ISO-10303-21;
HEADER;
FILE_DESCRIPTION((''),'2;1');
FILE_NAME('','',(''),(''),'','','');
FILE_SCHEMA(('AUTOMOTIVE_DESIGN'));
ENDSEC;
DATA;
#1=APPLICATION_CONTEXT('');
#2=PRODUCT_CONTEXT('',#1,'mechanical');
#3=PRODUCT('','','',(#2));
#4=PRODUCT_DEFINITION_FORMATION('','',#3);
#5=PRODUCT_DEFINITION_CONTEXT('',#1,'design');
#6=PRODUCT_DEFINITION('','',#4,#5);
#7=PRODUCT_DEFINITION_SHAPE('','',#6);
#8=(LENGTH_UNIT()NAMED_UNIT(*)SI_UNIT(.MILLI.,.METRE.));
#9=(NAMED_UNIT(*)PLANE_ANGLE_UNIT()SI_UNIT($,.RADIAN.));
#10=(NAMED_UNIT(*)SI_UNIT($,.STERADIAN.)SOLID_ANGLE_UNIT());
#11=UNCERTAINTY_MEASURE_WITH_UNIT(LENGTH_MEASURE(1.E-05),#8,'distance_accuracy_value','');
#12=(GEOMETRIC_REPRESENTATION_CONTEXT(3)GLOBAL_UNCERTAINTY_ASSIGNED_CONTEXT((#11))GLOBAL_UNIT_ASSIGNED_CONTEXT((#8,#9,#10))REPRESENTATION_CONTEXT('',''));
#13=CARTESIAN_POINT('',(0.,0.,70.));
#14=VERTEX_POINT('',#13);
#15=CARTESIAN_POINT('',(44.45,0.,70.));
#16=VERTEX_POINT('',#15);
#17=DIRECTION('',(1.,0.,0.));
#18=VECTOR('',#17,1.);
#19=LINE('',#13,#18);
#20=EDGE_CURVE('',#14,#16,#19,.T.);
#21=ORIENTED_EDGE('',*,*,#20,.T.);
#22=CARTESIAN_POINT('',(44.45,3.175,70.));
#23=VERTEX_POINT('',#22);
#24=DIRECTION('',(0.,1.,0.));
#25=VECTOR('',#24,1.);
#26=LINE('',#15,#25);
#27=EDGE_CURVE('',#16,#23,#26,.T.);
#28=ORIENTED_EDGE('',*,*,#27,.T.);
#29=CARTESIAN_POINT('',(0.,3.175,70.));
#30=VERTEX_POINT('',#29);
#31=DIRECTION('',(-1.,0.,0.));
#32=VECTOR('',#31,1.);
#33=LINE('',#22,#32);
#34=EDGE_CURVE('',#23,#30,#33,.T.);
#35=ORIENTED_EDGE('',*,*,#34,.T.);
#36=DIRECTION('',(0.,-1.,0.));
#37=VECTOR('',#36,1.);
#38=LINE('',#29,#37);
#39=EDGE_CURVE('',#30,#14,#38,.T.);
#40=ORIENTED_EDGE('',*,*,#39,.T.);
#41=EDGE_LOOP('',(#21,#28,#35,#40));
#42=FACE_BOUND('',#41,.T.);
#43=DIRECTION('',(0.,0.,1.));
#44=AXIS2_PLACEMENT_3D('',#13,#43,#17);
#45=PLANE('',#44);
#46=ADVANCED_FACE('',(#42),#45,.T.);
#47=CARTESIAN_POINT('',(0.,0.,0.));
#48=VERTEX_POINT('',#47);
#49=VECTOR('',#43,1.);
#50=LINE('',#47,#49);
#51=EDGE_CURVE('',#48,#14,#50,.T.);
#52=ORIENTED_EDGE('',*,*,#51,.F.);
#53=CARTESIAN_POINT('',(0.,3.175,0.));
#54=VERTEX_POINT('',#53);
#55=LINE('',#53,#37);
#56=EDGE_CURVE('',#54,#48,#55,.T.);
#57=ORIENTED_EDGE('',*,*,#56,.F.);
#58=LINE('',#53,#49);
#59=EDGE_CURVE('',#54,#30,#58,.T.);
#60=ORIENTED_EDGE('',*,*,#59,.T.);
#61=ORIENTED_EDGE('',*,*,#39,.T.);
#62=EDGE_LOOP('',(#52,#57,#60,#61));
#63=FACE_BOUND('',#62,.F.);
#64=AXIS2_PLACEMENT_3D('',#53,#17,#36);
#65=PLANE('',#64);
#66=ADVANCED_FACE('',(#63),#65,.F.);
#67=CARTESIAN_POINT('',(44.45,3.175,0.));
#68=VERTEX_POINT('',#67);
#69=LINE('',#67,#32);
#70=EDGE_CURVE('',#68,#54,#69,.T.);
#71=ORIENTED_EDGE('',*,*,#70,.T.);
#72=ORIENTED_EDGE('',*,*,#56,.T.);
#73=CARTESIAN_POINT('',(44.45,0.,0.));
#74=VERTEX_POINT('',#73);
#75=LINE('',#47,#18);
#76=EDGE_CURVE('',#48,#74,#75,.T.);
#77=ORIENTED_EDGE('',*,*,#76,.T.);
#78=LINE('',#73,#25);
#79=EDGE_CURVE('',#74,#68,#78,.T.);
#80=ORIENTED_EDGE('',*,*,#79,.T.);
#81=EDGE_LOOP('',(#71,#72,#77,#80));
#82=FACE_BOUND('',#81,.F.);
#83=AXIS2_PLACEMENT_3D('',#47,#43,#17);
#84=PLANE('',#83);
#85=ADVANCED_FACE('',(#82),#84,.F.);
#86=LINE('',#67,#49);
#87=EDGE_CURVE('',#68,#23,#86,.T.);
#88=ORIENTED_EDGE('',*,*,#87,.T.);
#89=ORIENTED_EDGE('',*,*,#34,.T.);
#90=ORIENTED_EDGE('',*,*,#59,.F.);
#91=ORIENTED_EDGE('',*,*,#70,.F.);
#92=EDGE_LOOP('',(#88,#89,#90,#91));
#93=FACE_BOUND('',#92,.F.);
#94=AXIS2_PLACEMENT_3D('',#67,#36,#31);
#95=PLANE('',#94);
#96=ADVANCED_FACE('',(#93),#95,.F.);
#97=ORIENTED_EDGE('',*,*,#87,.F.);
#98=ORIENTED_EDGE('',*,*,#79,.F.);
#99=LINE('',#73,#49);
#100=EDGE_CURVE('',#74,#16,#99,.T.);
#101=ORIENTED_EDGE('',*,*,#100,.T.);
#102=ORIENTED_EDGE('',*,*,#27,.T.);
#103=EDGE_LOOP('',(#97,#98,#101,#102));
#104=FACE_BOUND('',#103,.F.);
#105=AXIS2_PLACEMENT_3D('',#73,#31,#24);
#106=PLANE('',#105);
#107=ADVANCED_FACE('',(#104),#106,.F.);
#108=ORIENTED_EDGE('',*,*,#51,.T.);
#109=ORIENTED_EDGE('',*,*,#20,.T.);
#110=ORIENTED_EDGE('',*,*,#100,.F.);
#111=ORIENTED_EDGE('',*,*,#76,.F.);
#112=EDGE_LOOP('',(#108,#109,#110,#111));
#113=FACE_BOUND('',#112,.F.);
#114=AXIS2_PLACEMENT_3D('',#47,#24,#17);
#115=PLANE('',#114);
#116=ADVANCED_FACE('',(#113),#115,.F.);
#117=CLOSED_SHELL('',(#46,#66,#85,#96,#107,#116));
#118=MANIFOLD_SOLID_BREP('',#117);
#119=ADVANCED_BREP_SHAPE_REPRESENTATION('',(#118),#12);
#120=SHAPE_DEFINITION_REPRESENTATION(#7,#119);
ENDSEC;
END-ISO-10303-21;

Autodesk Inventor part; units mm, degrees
ref_plane "YZ Plane" through (0, 0, 0) normal (1, 0, 0) x (0, 1, 0)
ref_plane "XZ Plane" through (0, 0, 0) normal (0, 1, 0) x (-1, 0, 0)
ref_plane "XY Plane" through (0, 0, 0) normal (0, 0, 1) x (1, 0, 0)
sketch "Sketch1" plane through (0, 0, 0) normal (0, 0, 1) x (1, 0, 0)
  line L0 (0, 0) -> (44.45, 0)
  line L1 (44.45, 0) -> (44.45, 3.175)
  line L2 (44.45, 3.175) -> (0, 3.175)
  line L3 (0, 3.175) -> (0, 0)
  dimension "d0" = 44.45
  dimension "d1" = 3.175
extrude "Extrusion1" add sketch "Sketch1" along normal blind 70
properties part number "motor_bases"
